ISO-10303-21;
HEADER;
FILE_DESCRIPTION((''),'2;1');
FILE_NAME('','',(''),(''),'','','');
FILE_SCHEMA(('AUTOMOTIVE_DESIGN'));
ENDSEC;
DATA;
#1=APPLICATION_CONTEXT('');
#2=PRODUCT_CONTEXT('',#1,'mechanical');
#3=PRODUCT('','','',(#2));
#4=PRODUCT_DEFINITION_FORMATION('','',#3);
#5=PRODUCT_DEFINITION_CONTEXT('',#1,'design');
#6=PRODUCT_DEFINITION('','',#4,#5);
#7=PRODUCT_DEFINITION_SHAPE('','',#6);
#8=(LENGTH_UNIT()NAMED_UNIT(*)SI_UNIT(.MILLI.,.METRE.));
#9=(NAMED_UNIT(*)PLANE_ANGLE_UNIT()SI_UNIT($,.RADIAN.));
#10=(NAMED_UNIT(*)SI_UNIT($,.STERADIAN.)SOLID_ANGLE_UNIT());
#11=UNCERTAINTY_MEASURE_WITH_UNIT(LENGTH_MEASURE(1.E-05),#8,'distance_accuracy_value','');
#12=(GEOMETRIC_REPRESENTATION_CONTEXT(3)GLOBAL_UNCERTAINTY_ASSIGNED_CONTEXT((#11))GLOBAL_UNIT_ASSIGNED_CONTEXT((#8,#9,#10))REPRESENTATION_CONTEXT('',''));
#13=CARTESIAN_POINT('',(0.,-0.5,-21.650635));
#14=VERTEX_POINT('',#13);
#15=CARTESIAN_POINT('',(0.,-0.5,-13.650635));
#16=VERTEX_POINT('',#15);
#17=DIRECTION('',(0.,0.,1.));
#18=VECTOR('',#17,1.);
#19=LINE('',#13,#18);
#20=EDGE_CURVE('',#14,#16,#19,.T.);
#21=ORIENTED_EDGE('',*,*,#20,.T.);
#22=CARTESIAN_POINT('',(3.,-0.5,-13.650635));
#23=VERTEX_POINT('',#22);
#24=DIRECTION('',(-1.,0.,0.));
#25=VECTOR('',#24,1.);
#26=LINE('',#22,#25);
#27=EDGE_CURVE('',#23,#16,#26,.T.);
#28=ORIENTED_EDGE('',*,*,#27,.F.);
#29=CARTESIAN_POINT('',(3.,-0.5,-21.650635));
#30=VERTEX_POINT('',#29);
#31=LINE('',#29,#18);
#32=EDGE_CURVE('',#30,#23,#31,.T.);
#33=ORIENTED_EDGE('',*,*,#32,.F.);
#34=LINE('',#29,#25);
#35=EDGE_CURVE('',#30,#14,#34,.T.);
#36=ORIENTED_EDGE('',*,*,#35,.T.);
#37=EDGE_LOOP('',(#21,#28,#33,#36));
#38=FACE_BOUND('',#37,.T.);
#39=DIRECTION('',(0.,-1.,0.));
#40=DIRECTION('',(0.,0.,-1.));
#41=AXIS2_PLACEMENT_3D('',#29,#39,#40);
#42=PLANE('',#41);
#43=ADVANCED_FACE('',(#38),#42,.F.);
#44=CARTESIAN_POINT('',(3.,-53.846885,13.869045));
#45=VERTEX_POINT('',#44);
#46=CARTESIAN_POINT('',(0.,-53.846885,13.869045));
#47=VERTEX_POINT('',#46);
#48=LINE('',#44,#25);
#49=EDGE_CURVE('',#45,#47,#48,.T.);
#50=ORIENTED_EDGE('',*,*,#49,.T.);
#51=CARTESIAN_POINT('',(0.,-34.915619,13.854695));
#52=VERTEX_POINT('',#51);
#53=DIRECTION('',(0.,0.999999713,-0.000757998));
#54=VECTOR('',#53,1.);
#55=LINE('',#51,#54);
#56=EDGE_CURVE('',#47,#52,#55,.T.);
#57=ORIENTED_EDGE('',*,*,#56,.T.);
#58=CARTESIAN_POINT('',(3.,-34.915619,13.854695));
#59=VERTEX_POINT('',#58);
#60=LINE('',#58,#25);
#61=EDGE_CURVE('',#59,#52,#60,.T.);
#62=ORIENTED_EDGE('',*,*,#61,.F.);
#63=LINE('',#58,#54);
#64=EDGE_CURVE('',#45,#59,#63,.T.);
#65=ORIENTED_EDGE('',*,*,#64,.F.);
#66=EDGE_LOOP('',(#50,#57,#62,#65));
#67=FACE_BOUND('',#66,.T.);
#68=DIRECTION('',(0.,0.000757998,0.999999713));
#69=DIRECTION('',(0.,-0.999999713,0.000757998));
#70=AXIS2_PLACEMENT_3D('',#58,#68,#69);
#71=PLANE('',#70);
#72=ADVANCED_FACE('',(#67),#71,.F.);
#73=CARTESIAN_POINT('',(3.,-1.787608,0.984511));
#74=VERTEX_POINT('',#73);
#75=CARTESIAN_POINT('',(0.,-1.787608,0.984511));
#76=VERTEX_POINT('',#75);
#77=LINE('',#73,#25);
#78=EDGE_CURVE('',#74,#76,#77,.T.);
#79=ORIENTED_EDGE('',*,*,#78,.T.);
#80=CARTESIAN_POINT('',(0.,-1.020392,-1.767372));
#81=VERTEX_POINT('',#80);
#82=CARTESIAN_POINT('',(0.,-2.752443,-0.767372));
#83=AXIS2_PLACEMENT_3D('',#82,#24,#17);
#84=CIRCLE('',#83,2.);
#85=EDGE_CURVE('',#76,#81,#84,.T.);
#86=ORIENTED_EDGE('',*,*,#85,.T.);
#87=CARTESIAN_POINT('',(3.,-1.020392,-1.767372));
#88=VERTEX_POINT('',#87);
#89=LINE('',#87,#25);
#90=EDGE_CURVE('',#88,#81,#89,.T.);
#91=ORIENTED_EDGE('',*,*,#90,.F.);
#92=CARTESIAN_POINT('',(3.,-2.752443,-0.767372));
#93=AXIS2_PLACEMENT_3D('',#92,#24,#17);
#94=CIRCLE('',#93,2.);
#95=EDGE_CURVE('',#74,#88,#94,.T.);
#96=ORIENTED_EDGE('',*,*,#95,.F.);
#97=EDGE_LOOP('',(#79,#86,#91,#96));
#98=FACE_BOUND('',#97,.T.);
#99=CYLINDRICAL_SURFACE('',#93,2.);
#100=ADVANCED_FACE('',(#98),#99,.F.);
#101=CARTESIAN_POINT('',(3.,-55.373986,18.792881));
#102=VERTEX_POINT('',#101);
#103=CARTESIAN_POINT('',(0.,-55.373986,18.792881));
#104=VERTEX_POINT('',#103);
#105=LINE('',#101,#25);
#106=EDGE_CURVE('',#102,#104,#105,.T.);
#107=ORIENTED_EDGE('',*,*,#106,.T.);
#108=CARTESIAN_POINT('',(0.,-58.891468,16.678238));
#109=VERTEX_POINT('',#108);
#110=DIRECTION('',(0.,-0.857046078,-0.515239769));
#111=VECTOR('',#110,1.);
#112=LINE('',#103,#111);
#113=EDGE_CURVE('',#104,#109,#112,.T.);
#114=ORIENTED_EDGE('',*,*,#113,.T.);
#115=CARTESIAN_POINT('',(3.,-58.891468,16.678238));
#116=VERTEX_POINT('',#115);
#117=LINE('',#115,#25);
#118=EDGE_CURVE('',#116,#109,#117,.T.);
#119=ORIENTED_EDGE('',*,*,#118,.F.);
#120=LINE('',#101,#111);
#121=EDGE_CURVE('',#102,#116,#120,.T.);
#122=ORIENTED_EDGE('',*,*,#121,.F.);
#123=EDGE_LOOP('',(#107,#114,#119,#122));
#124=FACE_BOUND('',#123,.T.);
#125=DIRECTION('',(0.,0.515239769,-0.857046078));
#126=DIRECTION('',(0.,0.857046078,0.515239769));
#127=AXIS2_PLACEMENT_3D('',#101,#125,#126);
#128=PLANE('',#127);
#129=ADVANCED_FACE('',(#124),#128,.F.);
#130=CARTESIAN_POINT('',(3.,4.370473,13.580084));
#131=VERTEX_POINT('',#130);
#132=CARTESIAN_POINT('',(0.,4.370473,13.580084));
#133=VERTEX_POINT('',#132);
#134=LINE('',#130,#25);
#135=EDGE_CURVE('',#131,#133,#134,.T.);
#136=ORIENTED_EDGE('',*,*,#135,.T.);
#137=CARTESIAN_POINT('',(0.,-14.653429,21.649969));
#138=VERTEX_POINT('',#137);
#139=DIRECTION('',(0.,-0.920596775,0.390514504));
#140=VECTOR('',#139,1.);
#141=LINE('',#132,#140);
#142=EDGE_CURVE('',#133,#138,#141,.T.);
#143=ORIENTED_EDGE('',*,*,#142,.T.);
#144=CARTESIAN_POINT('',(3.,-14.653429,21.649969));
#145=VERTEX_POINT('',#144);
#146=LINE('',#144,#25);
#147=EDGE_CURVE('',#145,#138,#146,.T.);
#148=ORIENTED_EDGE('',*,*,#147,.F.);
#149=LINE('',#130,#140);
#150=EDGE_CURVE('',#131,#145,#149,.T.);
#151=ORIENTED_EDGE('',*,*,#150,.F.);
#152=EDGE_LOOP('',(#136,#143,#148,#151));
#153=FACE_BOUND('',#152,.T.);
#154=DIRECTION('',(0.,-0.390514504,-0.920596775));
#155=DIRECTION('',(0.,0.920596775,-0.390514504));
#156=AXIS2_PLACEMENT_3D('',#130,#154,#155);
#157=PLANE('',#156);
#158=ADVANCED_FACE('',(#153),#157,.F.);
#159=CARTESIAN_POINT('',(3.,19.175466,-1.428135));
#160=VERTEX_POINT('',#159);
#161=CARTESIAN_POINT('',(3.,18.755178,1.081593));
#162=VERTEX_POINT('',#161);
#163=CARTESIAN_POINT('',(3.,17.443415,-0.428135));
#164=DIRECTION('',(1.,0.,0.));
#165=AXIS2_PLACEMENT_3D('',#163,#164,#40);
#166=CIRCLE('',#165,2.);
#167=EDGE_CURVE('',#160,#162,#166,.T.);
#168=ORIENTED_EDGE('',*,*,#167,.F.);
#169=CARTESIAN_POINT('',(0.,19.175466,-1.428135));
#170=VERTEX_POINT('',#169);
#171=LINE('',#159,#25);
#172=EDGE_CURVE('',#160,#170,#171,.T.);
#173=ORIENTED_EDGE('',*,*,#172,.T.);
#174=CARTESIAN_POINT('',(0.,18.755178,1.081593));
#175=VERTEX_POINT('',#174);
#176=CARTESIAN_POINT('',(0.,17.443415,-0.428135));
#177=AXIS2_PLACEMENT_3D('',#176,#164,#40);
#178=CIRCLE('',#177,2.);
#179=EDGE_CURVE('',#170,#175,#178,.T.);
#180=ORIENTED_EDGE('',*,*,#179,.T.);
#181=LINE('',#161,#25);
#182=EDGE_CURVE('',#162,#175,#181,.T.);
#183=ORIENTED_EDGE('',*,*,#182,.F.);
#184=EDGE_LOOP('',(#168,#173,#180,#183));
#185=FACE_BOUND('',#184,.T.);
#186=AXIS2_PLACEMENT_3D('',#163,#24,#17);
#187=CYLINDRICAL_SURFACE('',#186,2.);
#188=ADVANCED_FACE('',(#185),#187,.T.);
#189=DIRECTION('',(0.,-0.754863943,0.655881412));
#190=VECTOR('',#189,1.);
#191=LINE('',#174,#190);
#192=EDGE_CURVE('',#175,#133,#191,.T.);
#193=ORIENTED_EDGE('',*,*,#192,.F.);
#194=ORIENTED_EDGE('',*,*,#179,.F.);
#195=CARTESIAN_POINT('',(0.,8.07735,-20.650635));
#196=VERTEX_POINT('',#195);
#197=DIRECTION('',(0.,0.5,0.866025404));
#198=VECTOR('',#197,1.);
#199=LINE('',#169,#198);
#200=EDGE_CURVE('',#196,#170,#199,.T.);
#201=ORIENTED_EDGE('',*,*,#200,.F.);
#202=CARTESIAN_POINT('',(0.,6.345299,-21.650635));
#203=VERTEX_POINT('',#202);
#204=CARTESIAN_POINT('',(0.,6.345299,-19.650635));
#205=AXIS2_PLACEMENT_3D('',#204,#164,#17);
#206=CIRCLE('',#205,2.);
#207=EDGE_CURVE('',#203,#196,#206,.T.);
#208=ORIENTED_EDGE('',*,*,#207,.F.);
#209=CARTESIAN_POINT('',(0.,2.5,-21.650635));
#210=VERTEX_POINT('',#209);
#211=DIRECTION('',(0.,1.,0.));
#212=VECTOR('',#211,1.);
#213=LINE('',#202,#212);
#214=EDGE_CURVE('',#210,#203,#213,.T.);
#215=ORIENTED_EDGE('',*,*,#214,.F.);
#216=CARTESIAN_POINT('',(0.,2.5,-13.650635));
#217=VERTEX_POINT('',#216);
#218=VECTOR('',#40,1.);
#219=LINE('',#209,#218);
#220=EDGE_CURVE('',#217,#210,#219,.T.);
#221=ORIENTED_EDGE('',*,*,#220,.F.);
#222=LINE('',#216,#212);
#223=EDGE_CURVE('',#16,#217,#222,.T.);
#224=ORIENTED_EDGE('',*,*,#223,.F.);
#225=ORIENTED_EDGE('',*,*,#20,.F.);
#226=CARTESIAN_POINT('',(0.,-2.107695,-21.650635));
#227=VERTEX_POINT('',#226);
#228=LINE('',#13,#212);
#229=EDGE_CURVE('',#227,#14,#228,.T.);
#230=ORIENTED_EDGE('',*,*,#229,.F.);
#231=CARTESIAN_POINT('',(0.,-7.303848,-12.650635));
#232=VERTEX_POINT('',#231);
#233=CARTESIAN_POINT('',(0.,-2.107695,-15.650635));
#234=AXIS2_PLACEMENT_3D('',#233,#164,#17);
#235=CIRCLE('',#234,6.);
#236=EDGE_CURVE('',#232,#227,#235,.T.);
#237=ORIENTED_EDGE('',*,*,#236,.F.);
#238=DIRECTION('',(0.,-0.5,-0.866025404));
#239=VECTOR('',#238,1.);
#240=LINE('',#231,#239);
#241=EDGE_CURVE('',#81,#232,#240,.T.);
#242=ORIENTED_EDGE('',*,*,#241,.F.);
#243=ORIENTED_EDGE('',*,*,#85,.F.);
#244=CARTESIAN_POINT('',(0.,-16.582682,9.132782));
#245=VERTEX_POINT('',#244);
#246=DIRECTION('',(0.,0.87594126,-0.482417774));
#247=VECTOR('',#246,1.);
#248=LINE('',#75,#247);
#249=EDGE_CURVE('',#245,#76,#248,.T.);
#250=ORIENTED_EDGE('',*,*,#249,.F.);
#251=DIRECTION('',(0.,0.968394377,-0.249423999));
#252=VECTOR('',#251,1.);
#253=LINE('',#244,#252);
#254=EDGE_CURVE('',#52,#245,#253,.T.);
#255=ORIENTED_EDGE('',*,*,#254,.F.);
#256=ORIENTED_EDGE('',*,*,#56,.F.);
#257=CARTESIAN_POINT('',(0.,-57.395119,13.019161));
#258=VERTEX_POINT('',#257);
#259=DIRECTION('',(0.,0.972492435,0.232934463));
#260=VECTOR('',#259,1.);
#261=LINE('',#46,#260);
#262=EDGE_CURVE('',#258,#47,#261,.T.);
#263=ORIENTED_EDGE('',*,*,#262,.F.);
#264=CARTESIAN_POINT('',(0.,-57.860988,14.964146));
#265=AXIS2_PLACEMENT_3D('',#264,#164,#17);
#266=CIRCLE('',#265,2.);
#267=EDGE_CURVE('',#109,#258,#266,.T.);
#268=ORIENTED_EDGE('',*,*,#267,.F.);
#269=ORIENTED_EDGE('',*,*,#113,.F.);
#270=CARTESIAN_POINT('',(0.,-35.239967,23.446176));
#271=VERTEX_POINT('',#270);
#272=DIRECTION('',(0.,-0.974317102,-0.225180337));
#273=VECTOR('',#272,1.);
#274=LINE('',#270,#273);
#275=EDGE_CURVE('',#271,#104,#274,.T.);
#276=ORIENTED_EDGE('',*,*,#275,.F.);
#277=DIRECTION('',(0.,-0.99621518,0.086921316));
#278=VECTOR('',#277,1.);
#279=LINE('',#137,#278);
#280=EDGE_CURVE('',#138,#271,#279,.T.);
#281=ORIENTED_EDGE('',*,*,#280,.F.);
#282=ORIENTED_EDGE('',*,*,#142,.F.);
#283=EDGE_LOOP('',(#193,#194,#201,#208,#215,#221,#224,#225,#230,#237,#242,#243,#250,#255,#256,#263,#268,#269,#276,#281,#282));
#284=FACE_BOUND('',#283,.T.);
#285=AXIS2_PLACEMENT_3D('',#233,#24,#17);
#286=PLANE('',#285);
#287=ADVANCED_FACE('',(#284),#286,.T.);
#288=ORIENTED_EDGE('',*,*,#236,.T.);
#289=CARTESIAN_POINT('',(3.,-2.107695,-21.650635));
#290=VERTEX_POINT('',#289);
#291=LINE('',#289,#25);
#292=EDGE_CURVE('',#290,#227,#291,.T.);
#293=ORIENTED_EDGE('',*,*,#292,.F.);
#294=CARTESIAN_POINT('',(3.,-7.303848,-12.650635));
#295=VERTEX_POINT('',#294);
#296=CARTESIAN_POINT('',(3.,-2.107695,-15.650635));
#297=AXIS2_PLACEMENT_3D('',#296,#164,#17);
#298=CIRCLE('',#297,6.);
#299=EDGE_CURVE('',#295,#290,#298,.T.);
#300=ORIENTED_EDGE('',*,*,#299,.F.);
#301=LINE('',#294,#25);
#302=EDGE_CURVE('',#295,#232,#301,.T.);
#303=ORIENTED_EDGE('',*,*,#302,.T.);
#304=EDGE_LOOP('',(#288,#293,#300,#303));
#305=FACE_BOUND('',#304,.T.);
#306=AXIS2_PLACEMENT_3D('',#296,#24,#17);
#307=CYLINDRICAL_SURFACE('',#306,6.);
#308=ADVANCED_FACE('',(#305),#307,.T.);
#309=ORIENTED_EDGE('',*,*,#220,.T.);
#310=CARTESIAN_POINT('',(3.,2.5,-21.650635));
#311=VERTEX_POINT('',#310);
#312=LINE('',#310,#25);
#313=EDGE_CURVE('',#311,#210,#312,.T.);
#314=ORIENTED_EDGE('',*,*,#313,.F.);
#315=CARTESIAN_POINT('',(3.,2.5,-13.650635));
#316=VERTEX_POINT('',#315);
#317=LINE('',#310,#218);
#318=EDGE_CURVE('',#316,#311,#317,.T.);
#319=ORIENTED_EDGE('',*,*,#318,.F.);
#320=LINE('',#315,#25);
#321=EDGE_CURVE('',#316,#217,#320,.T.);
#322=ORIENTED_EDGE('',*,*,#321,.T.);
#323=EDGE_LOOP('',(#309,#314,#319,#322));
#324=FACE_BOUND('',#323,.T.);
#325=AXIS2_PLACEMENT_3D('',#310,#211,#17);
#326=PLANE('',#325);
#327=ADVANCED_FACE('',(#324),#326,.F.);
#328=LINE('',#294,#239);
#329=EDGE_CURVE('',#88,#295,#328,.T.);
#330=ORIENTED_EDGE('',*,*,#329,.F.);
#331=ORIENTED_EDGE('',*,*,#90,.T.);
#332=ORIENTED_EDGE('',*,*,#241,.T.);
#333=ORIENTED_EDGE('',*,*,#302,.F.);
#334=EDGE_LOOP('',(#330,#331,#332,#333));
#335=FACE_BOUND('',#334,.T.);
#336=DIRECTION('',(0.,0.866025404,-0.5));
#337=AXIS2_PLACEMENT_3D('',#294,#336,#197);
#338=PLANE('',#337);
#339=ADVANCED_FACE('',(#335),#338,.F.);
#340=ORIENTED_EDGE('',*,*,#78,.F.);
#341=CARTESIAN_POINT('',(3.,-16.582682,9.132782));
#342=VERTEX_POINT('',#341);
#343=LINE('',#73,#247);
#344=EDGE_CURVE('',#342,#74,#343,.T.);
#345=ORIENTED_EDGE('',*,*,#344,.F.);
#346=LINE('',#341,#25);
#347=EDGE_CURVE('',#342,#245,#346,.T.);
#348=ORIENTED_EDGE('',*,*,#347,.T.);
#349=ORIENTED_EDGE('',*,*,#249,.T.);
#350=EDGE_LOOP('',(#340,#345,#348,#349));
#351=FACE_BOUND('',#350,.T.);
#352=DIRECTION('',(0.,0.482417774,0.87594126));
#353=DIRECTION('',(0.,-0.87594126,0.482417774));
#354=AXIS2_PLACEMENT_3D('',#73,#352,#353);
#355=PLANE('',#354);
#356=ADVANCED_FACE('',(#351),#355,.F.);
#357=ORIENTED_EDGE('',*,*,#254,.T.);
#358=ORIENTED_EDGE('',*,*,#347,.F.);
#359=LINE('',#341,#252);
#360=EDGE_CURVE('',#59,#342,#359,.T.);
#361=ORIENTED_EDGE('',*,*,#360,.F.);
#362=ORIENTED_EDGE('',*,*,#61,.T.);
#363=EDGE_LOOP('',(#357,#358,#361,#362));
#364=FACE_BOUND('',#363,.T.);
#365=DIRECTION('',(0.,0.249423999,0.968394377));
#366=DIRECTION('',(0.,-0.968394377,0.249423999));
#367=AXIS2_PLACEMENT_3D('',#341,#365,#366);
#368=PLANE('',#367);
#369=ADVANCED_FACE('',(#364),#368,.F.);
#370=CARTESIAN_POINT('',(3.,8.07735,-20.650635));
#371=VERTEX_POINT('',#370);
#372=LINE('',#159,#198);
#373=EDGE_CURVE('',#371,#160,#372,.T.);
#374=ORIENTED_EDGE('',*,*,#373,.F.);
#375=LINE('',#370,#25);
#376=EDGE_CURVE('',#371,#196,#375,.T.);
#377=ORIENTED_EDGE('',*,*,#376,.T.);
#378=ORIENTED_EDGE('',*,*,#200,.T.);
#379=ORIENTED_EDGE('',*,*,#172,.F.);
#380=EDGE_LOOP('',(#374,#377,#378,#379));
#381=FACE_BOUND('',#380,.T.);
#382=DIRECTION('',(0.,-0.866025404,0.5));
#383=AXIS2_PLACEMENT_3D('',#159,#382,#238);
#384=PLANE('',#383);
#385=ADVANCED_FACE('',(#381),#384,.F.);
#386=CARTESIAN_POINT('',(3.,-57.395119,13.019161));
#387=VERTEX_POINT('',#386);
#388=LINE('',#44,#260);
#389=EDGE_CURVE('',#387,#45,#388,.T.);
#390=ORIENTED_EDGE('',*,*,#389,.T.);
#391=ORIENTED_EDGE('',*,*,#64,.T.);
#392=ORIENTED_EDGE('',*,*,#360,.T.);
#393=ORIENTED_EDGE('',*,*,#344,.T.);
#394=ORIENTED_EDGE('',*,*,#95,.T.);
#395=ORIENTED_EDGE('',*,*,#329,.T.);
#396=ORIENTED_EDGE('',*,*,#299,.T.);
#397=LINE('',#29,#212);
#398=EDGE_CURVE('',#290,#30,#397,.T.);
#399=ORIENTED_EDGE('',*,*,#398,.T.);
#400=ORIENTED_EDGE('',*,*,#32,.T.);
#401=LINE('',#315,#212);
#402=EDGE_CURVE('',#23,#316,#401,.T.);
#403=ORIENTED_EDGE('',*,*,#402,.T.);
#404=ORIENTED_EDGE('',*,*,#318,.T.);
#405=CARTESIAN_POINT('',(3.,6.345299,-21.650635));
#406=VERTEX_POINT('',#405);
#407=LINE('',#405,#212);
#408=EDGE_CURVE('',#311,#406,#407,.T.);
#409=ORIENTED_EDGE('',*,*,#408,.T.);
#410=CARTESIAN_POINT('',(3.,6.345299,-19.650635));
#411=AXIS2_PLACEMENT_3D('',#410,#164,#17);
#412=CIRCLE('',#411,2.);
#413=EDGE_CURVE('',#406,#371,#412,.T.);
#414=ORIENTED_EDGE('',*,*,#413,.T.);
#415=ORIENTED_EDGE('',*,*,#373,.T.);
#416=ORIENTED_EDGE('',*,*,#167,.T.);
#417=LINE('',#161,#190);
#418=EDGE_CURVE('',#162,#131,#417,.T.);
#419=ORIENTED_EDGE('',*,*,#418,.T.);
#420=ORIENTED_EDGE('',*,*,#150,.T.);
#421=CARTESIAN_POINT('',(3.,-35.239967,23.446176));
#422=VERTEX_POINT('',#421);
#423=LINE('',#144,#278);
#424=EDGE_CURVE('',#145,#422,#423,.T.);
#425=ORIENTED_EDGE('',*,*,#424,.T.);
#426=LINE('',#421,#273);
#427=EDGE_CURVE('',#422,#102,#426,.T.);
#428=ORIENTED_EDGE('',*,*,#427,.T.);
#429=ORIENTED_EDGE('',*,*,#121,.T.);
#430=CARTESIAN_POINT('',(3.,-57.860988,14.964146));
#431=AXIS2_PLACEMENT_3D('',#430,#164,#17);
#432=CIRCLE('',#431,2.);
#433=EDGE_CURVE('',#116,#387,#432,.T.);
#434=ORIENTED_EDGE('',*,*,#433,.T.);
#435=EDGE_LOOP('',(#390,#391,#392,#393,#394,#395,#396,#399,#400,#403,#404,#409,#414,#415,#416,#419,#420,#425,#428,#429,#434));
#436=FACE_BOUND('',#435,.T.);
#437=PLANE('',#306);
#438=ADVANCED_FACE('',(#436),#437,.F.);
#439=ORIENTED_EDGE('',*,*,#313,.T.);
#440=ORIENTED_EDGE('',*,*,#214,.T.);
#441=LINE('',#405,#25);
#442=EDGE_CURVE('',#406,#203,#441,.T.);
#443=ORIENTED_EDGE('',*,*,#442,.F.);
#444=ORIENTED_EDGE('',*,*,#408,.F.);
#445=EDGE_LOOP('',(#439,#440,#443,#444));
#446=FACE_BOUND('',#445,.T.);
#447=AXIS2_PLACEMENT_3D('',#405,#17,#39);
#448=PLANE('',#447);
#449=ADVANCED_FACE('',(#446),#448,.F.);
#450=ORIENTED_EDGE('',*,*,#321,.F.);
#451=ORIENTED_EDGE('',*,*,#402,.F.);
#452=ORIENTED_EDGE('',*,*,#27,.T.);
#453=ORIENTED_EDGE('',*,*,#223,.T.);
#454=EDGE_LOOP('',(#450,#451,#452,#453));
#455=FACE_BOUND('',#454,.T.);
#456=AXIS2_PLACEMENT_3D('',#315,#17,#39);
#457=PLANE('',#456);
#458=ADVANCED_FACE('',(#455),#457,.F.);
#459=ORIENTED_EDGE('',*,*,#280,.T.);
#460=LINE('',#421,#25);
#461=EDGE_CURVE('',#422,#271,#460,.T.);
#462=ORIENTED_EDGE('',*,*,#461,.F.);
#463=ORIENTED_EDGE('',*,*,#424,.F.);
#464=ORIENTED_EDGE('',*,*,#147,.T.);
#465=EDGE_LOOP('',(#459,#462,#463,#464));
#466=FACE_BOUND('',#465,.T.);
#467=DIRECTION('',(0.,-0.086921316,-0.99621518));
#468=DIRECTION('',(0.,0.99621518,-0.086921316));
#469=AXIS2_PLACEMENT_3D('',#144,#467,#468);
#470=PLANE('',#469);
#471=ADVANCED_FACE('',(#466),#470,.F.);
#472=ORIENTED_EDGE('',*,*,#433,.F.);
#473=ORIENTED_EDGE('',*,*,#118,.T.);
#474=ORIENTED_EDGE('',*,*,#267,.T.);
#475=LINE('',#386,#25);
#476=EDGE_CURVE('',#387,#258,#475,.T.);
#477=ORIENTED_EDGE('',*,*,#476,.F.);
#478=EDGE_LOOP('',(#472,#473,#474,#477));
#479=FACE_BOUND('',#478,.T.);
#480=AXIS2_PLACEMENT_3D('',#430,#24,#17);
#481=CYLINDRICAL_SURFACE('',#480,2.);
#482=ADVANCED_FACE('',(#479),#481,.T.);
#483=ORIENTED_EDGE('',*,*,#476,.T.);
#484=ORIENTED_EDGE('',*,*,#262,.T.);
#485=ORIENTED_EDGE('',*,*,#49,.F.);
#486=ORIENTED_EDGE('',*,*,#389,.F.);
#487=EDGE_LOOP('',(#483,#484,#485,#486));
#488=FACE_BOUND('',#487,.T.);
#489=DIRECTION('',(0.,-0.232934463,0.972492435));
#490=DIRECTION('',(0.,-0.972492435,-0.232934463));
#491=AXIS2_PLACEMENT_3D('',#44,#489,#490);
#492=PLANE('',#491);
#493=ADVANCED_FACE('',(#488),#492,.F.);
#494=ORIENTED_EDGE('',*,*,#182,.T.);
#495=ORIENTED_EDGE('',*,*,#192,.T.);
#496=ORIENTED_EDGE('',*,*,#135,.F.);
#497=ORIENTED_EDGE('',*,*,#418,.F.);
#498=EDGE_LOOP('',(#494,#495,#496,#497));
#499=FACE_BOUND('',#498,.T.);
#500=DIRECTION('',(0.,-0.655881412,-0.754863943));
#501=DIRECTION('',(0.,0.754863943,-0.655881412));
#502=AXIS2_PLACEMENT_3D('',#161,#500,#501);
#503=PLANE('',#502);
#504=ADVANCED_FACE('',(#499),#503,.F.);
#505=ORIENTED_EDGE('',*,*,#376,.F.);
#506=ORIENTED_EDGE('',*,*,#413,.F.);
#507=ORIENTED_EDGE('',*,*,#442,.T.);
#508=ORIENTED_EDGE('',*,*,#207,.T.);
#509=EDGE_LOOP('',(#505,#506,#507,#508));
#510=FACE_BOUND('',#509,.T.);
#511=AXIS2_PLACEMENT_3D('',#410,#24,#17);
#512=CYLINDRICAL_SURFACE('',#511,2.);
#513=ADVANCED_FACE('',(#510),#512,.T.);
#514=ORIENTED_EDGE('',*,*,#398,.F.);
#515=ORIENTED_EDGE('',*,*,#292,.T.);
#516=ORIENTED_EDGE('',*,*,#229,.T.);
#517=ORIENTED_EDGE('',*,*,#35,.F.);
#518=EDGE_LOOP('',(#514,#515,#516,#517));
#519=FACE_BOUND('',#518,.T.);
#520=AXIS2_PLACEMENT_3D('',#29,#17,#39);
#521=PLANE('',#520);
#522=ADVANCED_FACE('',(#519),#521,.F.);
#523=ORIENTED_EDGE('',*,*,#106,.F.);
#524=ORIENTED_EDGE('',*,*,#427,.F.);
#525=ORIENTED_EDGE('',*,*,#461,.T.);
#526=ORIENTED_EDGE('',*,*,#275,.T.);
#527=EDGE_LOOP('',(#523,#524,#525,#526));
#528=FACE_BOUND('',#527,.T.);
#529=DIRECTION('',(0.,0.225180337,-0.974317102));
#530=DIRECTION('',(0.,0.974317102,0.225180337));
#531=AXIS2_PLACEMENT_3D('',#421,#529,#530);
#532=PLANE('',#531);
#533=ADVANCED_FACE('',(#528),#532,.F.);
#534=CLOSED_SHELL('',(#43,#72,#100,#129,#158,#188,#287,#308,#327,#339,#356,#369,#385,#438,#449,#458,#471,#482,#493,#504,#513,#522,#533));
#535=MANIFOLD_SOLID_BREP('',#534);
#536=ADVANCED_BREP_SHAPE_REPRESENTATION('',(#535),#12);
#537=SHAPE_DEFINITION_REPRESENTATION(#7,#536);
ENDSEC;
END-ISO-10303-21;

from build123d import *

# Parameters (mm, degrees)
BOSS_EXTRUDE1_DEPTH = 3


with BuildPart() as part:
    # Sketch1 → Boss-Extrude1 (new body)
    with BuildSketch(Plane(origin=(0, 0, 0), x_dir=(0, 0, -1), z_dir=(1, 0, 0))):
        with BuildLine():
            Line((-13.869045208, -53.846884879), (-13.019160894, -57.395119241))
            ThreePointArc((-13.019160894, -57.395119241), (-14.207117004, -59.712178989), (-16.67823792, -58.891467706))
            Line((-16.67823792, -58.891467706), (-18.79288086, -55.373986049))
            Line((-18.79288086, -55.373986049), (-23.446176246, -35.239966644))
            Line((-23.446176246, -35.239966644), (-21.649968985, -14.653428937))
            Line((-21.649968985, -14.653428937), (-13.580084357, 4.370473329))
            Line((-13.580084357, 4.370473329), (-1.081593074, 18.755177998))
            ThreePointArc((-1.081593074, 18.755177998), (0.097807511, 19.415947524), (1.428134813, 19.175465981))
            Line((1.428134813, 19.175465981), (20.650635095, 8.077350269))
            ThreePointArc((20.650635095, 8.077350269), (21.382685902, 7.345299462), (21.650635095, 6.345299462))
            Line((21.650635095, 6.345299462), (21.650635095, 2.5))
            Line((21.650635095, 2.5), (13.650635095, 2.5))
            Line((13.650635095, 2.5), (13.650635095, -0.5))
            Line((13.650635095, -0.5), (21.650635095, -0.5))
            Line((21.650635095, -0.5), (21.650635095, -2.107695155))
            ThreePointArc((21.650635095, -2.107695155), (18.650635095, -7.303847577), (12.650635095, -7.303847577))
            Line((12.650635095, -7.303847577), (1.767371596, -1.020392466))
            ThreePointArc((1.767371596, -1.020392466), (0.230262068, -0.825914438), (-0.984510925, -1.787607726))
            Line((-0.984510925, -1.787607726), (-9.132781883, -16.582681858))
            Line((-9.132781883, -16.582681858), (-13.854695348, -34.915618767))
            Line((-13.854695348, -34.915618767), (-13.869045208, -53.846884879))
        make_face()
    extrude(amount=BOSS_EXTRUDE1_DEPTH)


solid = part.part
